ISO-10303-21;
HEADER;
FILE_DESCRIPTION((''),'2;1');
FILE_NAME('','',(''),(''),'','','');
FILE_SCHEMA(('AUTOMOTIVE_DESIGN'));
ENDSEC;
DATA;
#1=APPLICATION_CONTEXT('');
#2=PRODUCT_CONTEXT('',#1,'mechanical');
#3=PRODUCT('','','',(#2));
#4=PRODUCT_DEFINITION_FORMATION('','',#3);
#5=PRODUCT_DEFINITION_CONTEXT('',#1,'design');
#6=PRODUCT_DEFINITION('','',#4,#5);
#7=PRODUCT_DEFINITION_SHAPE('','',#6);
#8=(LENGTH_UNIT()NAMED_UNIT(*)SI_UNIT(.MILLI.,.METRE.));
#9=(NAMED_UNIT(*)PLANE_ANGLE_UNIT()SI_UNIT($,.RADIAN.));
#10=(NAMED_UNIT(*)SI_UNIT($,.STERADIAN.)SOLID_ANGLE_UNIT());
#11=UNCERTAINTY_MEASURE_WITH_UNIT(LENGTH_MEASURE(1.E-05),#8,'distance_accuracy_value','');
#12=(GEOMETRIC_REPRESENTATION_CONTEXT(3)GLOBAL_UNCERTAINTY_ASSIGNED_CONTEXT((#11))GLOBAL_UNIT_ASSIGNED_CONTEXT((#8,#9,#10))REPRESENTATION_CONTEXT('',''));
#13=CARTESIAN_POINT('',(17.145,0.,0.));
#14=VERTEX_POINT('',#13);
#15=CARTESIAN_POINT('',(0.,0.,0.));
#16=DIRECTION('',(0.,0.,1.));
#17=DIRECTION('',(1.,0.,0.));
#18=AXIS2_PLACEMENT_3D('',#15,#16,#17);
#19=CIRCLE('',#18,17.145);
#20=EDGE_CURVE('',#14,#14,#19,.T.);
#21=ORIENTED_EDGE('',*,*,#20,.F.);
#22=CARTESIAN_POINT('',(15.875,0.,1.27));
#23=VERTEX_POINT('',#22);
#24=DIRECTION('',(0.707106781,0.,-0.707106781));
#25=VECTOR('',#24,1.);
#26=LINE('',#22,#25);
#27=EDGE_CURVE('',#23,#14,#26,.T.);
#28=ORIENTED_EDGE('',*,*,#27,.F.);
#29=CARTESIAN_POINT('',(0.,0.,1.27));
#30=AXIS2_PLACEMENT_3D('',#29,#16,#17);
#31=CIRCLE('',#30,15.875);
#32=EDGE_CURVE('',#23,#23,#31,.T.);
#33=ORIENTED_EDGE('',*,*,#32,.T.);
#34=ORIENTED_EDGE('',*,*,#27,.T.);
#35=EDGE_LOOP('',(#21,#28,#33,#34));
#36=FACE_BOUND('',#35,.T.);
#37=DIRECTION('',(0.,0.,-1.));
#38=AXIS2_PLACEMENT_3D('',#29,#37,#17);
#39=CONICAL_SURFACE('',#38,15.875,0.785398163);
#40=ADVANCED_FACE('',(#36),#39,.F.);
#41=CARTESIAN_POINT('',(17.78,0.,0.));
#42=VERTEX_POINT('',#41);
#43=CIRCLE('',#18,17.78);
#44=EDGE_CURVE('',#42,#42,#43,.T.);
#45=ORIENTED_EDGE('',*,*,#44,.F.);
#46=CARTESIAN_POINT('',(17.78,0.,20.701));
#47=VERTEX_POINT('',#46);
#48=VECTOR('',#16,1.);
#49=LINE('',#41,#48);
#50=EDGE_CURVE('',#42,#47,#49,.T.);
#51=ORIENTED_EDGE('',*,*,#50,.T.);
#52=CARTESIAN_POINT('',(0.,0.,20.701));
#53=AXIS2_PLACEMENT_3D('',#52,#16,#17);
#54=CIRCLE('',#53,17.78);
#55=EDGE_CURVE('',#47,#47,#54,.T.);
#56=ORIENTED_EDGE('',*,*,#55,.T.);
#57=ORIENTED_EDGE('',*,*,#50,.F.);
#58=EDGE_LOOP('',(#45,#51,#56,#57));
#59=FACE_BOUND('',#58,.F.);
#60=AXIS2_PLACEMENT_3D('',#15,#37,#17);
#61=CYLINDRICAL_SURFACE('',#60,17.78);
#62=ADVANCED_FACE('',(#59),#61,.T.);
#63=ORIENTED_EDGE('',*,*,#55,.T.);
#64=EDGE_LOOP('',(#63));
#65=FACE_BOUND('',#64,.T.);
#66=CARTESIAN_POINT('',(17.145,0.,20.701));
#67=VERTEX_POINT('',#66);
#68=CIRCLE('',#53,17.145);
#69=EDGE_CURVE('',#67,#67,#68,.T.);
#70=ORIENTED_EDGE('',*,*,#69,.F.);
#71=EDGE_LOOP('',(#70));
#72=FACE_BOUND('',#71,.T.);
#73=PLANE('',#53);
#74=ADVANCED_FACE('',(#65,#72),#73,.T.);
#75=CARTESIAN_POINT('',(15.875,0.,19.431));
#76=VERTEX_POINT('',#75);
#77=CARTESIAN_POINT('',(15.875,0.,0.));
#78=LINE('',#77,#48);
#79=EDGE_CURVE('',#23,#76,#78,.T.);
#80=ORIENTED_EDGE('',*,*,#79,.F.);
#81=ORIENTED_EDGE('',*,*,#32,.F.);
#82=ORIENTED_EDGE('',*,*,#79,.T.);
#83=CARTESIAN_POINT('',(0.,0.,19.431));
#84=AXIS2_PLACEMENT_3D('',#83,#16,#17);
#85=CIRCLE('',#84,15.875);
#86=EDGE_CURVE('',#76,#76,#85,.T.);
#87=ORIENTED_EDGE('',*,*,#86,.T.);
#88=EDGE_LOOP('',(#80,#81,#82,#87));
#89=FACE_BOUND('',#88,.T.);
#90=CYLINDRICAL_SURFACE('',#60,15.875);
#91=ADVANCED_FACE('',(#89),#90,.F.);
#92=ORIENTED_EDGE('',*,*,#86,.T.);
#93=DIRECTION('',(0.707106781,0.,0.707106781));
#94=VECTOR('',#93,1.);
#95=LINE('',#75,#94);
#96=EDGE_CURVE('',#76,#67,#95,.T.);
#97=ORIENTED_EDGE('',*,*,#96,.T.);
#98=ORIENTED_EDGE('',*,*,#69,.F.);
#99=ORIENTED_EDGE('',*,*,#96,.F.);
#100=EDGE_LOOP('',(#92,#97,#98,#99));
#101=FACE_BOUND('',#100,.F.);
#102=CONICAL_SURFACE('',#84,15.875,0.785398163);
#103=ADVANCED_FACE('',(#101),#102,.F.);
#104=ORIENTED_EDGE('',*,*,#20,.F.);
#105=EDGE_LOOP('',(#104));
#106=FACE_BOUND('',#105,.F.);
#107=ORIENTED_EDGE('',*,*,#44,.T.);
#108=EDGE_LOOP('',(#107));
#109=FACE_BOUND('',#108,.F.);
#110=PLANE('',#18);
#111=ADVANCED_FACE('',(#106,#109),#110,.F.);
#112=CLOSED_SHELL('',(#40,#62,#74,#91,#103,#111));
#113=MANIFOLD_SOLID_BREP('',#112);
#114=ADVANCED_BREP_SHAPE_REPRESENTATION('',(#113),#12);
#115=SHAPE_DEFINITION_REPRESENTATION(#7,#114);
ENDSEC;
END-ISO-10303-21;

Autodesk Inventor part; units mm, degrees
ref_plane "YZ Plane" through (0, 0, 0) normal (1, 0, 0) x (0, 1, 0)
ref_plane "XZ Plane" through (0, 0, 0) normal (0, 1, 0) x (-1, 0, 0)
ref_plane "XY Plane" through (0, 0, 0) normal (0, 0, 1) x (1, 0, 0)
sketch "Sketch1" plane through (0, 0, 0) normal (0, 0, 1) x (1, 0, 0)
  circle A0 centre (0, 0) radius 15.875
  circle A1 centre (0, 0) radius 17.78
  dimension "d0" = 1.905
  dimension "d1" = 31.75
extrude "Extrusion1" add sketch "Sketch1" along normal blind 20.701
chamfer "Chamfer1" distance 1.27 angle 45 2 edges at (-15.875, 0, 20.701) (-15.875, 0, 0)
properties part number "Metal Cylinder Seal 1764"
